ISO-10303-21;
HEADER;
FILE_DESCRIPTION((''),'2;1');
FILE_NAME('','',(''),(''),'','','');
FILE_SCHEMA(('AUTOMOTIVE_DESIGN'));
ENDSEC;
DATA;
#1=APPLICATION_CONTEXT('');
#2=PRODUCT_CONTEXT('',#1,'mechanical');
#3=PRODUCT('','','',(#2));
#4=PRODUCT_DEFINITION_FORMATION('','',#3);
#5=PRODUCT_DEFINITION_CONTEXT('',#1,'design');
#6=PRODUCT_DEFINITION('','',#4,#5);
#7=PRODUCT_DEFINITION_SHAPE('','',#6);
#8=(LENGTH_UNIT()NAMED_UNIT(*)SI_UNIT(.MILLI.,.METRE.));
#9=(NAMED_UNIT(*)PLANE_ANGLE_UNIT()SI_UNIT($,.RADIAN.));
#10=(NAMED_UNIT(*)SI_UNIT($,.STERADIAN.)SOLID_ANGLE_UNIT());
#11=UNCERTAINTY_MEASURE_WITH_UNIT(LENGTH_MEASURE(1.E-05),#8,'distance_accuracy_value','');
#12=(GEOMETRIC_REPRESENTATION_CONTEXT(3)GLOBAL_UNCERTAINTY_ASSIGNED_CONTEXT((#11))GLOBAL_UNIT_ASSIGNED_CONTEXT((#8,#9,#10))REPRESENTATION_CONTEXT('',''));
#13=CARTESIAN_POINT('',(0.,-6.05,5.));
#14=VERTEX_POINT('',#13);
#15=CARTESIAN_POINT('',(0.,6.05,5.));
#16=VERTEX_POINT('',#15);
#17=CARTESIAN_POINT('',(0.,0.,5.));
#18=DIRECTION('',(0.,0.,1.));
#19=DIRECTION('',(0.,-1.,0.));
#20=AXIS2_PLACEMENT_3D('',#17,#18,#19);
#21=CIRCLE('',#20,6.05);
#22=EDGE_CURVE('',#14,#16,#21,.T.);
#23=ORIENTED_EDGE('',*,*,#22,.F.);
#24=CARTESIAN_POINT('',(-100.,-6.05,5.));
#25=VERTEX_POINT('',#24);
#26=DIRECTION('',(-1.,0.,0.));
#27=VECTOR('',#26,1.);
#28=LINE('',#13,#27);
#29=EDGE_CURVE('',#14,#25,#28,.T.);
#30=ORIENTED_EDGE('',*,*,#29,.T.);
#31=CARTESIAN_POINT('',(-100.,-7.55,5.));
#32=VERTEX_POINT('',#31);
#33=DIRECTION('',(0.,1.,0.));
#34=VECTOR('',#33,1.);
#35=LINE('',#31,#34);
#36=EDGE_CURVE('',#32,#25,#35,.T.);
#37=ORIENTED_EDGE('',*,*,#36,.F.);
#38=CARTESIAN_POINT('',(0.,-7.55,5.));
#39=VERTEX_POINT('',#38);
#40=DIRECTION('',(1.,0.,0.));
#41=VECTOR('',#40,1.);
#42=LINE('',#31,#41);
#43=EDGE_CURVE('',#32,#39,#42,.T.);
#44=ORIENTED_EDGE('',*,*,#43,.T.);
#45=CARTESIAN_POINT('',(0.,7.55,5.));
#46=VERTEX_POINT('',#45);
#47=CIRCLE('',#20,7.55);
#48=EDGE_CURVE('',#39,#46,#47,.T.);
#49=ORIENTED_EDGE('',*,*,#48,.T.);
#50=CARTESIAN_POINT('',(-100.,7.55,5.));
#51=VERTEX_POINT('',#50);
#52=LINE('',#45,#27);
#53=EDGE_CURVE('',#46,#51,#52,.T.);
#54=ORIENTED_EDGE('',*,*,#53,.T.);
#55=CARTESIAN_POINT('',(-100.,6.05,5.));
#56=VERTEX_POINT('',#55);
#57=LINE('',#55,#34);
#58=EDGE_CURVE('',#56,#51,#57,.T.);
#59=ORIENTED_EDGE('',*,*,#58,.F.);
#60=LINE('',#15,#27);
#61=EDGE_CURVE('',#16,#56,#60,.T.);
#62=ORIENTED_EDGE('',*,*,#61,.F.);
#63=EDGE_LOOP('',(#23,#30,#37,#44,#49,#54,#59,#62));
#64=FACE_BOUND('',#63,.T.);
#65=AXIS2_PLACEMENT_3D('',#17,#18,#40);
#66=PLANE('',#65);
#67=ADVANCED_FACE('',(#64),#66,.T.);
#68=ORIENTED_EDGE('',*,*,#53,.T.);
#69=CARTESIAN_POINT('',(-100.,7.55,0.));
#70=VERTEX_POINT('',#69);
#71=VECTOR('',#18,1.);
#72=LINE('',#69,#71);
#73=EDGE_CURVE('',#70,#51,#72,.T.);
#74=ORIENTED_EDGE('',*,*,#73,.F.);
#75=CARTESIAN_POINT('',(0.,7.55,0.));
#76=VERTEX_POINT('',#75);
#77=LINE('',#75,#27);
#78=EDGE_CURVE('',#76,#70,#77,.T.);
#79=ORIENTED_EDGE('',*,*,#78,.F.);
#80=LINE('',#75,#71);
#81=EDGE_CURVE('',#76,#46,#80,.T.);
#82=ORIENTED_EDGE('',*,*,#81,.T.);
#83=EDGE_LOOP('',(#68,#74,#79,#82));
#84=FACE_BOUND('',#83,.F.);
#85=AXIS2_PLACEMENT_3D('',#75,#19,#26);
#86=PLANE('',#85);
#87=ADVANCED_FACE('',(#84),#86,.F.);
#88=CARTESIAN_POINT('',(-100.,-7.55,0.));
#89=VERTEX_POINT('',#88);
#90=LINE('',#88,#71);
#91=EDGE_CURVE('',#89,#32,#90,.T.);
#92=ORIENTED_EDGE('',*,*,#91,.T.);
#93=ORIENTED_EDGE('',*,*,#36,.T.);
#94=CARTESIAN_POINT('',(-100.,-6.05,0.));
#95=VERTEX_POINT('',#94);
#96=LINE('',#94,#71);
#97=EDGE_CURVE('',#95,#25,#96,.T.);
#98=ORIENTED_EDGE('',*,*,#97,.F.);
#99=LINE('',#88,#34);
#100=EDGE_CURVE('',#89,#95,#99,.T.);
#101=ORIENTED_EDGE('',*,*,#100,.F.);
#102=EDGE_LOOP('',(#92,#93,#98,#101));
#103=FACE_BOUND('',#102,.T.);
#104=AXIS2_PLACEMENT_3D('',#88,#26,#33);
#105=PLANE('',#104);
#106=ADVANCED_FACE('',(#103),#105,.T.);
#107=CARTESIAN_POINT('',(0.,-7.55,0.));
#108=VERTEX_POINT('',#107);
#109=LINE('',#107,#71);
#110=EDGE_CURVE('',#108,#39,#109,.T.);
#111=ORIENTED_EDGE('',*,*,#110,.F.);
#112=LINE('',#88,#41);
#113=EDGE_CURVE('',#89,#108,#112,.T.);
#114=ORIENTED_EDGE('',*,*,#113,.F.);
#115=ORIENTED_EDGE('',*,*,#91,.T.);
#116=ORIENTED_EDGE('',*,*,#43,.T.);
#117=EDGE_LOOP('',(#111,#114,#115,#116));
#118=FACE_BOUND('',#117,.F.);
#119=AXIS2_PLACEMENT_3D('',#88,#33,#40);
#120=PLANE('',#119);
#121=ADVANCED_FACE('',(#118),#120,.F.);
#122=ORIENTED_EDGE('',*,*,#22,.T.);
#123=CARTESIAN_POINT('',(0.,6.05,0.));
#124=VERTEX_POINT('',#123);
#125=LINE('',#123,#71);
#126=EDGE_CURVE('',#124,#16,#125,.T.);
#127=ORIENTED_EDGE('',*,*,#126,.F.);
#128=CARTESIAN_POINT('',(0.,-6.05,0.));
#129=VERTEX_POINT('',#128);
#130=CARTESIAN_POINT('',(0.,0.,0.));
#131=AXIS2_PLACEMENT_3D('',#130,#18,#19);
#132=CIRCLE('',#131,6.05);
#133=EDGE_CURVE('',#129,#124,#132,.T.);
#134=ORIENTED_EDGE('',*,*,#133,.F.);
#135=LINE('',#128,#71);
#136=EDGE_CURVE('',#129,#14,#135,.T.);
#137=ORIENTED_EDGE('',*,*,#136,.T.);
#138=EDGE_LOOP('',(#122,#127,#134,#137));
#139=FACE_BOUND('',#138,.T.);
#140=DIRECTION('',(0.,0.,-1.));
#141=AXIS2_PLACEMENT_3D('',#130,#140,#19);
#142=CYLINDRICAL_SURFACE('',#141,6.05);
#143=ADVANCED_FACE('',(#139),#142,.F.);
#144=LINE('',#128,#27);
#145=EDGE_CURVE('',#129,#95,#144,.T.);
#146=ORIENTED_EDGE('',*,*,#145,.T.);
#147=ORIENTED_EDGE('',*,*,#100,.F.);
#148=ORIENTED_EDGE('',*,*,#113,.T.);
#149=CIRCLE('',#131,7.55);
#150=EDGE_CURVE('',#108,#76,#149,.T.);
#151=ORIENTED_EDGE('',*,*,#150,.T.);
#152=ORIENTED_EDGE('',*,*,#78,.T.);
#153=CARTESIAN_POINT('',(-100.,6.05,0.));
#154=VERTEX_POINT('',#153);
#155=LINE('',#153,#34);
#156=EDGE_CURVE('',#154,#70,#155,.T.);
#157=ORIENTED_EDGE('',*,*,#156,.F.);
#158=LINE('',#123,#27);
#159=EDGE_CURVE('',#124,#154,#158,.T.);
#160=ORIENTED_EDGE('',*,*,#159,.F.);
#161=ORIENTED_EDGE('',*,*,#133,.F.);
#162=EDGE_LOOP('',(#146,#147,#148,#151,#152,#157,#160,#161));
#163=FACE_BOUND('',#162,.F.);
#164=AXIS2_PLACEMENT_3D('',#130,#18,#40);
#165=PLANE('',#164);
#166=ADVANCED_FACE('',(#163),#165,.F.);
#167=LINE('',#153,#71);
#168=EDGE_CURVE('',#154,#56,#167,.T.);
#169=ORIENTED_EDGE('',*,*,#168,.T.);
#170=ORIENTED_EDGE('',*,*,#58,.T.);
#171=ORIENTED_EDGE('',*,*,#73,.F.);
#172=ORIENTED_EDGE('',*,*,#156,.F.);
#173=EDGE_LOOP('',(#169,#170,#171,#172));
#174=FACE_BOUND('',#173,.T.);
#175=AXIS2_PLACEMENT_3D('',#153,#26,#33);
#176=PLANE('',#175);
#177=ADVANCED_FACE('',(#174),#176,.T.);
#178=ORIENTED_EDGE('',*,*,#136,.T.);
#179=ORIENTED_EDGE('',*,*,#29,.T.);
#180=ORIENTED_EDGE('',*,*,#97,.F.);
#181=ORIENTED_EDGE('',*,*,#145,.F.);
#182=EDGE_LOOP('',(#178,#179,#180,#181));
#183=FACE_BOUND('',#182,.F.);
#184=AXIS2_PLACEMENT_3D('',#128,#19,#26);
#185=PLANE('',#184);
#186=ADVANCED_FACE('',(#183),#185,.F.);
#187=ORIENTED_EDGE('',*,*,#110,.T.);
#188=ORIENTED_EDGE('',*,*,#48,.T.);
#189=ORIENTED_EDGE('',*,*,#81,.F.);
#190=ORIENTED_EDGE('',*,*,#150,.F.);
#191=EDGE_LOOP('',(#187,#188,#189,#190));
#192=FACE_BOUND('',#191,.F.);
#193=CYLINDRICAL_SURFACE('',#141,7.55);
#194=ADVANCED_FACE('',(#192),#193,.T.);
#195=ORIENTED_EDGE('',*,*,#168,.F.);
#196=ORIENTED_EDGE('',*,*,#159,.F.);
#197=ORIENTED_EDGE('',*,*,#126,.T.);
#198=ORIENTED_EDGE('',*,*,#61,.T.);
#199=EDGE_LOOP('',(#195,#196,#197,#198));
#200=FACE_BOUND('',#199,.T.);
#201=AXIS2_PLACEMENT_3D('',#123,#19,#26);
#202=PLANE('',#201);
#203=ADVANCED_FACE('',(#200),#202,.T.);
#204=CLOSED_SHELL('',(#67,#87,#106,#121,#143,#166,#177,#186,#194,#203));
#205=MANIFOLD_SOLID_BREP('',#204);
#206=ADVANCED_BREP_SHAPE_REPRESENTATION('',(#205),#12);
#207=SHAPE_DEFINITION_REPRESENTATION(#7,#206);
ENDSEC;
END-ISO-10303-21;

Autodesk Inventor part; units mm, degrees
ref_plane "YZ Plane" through (0, 0, 0) normal (1, 0, 0) x (0, 1, 0)
ref_plane "XZ Plane" through (0, 0, 0) normal (0, 1, 0) x (-1, 0, 0)
ref_plane "XY Plane" through (0, 0, 0) normal (0, 0, 1) x (1, 0, 0)
sketch "Sketch1" plane through (0, 0, 0) normal (0, 0, 1) x (1, 0, 0)
  arc A0 (0, -6.05) -> (0, 6.05) centre (0, 0) ccw
  line L0 (0, -6.05) -> (-100, -6.05)
  line L1 (0, 6.05) -> (-100, 6.05)
  line L2 (-100, -7.55) -> (0, -7.55)
  arc A1 (0, -7.55) -> (0, 7.55) centre (0, 0) ccw
  line L3 (0, 7.55) -> (-100, 7.55)
  line L4 (-100, -7.55) -> (-100, -6.05)
  line L5 (-100, 6.05) -> (-100, 7.55)
  dimension "d0" = 12.1
  dimension "d1" = 100
  dimension "d2" = 1.5
extrude "Extrusion1" add sketch "Sketch1" along normal blind 5
properties part number "Belt_Z" material "Rubber"
